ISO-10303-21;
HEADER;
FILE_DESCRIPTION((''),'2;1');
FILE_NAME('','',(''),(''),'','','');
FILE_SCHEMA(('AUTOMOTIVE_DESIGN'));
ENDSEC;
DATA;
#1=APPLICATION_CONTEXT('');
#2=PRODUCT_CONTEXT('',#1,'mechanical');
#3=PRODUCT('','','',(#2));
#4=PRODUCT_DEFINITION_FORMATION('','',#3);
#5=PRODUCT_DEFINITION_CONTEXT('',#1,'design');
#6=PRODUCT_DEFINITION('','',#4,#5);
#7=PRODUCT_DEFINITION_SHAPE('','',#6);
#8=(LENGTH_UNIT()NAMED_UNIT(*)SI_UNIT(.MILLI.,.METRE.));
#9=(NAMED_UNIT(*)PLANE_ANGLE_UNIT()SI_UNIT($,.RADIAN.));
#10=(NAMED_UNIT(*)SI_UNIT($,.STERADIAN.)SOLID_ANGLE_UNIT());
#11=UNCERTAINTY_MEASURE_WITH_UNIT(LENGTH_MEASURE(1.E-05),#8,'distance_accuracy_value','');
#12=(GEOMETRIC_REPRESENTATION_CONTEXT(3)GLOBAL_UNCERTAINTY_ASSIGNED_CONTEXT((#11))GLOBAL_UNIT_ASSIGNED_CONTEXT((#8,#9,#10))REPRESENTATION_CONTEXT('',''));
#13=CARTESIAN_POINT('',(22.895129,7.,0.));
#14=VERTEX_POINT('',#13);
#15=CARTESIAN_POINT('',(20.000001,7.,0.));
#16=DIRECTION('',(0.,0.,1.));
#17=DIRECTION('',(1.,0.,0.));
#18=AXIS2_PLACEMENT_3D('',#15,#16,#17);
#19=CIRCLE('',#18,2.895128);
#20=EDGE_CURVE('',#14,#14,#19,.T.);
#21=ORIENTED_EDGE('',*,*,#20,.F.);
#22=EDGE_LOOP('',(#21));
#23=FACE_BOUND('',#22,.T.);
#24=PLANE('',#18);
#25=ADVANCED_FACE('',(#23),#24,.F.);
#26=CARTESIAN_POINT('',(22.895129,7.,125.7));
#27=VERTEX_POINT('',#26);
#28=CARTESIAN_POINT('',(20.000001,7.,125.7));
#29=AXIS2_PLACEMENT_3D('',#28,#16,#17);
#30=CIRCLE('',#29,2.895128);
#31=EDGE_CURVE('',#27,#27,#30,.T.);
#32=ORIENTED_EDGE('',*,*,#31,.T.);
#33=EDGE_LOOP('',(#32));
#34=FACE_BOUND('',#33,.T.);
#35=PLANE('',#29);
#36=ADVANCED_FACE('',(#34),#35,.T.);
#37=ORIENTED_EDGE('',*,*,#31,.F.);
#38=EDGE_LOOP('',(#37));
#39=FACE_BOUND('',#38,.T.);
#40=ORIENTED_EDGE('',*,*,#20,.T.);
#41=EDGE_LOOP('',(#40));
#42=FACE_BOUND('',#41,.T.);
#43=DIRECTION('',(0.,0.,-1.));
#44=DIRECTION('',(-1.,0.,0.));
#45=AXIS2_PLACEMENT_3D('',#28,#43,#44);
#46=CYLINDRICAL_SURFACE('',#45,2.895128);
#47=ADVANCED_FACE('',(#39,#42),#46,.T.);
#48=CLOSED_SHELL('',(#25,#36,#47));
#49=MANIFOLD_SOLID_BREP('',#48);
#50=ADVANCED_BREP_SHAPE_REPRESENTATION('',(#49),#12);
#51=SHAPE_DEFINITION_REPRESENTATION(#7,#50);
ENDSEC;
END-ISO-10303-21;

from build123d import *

# Parameters (mm, degrees)
SKETCH_1_R      = 2.89512778
EXTRUDE_1_DEPTH = 125.7


with BuildPart() as part:
    # 草图1 → 凸台-拉伸1 (new body)
    with BuildSketch(Plane.XY):
        with Locations((20.000000954, 6.999999815)):
            Circle(SKETCH_1_R)
    extrude(amount=EXTRUDE_1_DEPTH)


solid = part.part
